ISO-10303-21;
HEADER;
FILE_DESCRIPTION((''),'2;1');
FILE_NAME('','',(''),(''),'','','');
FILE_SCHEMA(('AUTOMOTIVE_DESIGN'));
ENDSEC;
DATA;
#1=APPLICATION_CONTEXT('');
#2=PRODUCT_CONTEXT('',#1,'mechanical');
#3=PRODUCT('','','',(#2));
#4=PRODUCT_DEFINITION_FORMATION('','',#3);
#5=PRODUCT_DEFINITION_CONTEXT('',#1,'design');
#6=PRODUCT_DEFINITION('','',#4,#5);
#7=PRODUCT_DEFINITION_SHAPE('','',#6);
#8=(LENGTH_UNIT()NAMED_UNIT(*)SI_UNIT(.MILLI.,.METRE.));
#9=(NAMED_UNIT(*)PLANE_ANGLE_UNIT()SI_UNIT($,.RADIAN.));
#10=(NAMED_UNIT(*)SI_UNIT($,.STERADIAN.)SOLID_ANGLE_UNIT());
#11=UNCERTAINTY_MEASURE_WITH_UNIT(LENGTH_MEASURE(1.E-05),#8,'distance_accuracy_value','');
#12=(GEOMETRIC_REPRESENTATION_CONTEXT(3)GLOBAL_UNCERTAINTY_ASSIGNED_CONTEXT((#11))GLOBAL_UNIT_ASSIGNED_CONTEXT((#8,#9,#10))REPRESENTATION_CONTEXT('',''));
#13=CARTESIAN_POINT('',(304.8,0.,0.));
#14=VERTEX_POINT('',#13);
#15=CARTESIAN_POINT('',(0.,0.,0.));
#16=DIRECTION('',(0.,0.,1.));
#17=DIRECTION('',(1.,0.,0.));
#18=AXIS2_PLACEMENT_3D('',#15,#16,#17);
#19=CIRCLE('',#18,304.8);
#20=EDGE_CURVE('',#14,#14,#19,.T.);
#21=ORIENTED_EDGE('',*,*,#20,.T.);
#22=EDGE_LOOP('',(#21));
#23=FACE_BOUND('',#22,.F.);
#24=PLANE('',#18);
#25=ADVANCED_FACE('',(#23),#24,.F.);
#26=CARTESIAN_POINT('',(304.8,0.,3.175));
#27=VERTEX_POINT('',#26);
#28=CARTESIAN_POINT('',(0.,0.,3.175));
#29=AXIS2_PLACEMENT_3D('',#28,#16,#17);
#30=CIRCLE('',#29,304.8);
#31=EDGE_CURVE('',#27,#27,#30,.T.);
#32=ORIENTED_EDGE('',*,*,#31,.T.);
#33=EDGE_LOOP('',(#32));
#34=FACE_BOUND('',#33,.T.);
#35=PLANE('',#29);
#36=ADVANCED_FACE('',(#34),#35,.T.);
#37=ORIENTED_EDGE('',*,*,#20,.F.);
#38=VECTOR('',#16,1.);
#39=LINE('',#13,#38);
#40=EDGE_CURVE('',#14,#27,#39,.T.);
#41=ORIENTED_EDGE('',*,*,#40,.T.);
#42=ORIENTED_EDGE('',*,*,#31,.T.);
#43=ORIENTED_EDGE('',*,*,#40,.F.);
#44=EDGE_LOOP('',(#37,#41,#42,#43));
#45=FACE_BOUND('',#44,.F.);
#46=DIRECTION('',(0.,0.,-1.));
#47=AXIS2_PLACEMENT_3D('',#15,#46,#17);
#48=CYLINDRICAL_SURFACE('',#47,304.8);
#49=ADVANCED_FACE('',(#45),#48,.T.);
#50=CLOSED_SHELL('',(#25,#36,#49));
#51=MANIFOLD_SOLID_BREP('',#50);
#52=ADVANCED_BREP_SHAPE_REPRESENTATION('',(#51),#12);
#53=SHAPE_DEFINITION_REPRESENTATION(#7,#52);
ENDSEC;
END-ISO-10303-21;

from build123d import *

# Parameters (mm, degrees)
SKETCH001_R = 304.8
PAD_DEPTH   = 3.175


with BuildPart() as part:
    # Sketch001 → Pad (new body)
    with BuildSketch(Plane.XY):
        Circle(SKETCH001_R)
    extrude(amount=PAD_DEPTH)


solid = part.part
